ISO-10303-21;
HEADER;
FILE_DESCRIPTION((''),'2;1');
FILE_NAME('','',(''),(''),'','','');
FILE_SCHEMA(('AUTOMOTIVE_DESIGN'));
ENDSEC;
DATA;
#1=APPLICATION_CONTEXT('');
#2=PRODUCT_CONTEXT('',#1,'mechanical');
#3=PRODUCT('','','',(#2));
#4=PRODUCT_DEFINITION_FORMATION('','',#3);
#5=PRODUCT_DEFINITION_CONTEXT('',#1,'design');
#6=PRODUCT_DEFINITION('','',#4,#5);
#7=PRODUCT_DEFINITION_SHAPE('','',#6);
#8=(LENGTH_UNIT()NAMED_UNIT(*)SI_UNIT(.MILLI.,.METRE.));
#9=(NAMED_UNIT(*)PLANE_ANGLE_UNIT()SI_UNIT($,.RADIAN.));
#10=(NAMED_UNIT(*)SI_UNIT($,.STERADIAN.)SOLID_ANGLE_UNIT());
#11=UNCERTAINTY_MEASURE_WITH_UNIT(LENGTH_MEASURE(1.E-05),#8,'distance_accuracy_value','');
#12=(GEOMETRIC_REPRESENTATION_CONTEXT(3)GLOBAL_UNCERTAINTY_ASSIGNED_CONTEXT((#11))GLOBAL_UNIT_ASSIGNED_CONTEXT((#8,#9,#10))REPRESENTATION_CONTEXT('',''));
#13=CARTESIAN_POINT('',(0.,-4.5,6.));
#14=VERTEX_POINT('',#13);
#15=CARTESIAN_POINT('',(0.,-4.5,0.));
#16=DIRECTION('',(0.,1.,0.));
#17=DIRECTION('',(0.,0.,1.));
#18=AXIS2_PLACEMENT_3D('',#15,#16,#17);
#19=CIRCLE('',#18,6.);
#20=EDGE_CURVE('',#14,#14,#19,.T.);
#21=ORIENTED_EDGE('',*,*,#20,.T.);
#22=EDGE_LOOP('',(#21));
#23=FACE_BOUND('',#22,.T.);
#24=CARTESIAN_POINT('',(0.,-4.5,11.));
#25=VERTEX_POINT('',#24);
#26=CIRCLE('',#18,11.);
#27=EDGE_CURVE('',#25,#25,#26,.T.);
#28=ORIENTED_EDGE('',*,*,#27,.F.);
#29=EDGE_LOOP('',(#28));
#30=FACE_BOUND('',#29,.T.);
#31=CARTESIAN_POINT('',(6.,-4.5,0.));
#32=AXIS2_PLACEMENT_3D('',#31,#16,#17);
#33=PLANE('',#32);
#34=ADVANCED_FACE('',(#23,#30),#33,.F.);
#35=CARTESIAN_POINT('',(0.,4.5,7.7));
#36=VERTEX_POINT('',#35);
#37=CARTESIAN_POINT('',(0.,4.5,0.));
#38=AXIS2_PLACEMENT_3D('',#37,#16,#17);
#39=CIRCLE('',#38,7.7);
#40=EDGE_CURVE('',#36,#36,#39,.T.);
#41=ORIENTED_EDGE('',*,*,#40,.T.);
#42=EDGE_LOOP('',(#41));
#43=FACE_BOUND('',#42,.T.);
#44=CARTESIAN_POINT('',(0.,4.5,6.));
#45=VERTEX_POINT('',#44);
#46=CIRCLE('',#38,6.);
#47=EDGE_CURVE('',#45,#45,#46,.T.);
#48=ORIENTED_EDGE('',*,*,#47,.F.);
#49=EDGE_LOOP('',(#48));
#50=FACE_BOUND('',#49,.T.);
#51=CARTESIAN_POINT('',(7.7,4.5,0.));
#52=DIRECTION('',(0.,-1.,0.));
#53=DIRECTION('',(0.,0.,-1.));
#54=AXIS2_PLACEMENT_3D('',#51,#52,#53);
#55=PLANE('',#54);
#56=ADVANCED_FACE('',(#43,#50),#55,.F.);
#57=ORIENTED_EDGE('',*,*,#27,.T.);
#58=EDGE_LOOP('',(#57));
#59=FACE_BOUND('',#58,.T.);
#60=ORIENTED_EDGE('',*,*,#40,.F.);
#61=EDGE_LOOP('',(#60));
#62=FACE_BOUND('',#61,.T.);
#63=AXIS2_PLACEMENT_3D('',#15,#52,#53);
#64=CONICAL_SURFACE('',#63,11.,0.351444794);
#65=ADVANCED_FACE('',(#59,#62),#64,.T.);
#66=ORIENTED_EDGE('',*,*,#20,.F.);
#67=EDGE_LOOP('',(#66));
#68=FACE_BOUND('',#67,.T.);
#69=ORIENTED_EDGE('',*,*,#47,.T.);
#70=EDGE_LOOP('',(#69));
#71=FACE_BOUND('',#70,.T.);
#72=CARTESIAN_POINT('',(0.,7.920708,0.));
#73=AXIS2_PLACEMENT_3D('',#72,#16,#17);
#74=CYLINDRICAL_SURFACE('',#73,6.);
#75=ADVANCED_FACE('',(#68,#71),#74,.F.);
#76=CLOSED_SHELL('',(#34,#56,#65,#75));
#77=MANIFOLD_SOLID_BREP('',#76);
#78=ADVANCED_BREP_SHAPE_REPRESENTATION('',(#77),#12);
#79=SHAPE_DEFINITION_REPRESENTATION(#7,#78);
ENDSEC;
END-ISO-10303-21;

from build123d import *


with BuildPart() as part:
    # Szkic1 → Obrót1 (revolve)
    with BuildSketch(Plane.XY, mode=Mode.PRIVATE) as obr_t1_sk:
        Polygon((6, 4.5), (6, -4.5), (11, -4.5), (7.7, 4.5), align=None)
    revolve(obr_t1_sk.sketch.rotate(Axis((0, 7.920708236, 0), (0, -1, 0)), 90), axis=Axis((0, 7.920708236, 0), (0, -1, 0)))


solid = part.part
